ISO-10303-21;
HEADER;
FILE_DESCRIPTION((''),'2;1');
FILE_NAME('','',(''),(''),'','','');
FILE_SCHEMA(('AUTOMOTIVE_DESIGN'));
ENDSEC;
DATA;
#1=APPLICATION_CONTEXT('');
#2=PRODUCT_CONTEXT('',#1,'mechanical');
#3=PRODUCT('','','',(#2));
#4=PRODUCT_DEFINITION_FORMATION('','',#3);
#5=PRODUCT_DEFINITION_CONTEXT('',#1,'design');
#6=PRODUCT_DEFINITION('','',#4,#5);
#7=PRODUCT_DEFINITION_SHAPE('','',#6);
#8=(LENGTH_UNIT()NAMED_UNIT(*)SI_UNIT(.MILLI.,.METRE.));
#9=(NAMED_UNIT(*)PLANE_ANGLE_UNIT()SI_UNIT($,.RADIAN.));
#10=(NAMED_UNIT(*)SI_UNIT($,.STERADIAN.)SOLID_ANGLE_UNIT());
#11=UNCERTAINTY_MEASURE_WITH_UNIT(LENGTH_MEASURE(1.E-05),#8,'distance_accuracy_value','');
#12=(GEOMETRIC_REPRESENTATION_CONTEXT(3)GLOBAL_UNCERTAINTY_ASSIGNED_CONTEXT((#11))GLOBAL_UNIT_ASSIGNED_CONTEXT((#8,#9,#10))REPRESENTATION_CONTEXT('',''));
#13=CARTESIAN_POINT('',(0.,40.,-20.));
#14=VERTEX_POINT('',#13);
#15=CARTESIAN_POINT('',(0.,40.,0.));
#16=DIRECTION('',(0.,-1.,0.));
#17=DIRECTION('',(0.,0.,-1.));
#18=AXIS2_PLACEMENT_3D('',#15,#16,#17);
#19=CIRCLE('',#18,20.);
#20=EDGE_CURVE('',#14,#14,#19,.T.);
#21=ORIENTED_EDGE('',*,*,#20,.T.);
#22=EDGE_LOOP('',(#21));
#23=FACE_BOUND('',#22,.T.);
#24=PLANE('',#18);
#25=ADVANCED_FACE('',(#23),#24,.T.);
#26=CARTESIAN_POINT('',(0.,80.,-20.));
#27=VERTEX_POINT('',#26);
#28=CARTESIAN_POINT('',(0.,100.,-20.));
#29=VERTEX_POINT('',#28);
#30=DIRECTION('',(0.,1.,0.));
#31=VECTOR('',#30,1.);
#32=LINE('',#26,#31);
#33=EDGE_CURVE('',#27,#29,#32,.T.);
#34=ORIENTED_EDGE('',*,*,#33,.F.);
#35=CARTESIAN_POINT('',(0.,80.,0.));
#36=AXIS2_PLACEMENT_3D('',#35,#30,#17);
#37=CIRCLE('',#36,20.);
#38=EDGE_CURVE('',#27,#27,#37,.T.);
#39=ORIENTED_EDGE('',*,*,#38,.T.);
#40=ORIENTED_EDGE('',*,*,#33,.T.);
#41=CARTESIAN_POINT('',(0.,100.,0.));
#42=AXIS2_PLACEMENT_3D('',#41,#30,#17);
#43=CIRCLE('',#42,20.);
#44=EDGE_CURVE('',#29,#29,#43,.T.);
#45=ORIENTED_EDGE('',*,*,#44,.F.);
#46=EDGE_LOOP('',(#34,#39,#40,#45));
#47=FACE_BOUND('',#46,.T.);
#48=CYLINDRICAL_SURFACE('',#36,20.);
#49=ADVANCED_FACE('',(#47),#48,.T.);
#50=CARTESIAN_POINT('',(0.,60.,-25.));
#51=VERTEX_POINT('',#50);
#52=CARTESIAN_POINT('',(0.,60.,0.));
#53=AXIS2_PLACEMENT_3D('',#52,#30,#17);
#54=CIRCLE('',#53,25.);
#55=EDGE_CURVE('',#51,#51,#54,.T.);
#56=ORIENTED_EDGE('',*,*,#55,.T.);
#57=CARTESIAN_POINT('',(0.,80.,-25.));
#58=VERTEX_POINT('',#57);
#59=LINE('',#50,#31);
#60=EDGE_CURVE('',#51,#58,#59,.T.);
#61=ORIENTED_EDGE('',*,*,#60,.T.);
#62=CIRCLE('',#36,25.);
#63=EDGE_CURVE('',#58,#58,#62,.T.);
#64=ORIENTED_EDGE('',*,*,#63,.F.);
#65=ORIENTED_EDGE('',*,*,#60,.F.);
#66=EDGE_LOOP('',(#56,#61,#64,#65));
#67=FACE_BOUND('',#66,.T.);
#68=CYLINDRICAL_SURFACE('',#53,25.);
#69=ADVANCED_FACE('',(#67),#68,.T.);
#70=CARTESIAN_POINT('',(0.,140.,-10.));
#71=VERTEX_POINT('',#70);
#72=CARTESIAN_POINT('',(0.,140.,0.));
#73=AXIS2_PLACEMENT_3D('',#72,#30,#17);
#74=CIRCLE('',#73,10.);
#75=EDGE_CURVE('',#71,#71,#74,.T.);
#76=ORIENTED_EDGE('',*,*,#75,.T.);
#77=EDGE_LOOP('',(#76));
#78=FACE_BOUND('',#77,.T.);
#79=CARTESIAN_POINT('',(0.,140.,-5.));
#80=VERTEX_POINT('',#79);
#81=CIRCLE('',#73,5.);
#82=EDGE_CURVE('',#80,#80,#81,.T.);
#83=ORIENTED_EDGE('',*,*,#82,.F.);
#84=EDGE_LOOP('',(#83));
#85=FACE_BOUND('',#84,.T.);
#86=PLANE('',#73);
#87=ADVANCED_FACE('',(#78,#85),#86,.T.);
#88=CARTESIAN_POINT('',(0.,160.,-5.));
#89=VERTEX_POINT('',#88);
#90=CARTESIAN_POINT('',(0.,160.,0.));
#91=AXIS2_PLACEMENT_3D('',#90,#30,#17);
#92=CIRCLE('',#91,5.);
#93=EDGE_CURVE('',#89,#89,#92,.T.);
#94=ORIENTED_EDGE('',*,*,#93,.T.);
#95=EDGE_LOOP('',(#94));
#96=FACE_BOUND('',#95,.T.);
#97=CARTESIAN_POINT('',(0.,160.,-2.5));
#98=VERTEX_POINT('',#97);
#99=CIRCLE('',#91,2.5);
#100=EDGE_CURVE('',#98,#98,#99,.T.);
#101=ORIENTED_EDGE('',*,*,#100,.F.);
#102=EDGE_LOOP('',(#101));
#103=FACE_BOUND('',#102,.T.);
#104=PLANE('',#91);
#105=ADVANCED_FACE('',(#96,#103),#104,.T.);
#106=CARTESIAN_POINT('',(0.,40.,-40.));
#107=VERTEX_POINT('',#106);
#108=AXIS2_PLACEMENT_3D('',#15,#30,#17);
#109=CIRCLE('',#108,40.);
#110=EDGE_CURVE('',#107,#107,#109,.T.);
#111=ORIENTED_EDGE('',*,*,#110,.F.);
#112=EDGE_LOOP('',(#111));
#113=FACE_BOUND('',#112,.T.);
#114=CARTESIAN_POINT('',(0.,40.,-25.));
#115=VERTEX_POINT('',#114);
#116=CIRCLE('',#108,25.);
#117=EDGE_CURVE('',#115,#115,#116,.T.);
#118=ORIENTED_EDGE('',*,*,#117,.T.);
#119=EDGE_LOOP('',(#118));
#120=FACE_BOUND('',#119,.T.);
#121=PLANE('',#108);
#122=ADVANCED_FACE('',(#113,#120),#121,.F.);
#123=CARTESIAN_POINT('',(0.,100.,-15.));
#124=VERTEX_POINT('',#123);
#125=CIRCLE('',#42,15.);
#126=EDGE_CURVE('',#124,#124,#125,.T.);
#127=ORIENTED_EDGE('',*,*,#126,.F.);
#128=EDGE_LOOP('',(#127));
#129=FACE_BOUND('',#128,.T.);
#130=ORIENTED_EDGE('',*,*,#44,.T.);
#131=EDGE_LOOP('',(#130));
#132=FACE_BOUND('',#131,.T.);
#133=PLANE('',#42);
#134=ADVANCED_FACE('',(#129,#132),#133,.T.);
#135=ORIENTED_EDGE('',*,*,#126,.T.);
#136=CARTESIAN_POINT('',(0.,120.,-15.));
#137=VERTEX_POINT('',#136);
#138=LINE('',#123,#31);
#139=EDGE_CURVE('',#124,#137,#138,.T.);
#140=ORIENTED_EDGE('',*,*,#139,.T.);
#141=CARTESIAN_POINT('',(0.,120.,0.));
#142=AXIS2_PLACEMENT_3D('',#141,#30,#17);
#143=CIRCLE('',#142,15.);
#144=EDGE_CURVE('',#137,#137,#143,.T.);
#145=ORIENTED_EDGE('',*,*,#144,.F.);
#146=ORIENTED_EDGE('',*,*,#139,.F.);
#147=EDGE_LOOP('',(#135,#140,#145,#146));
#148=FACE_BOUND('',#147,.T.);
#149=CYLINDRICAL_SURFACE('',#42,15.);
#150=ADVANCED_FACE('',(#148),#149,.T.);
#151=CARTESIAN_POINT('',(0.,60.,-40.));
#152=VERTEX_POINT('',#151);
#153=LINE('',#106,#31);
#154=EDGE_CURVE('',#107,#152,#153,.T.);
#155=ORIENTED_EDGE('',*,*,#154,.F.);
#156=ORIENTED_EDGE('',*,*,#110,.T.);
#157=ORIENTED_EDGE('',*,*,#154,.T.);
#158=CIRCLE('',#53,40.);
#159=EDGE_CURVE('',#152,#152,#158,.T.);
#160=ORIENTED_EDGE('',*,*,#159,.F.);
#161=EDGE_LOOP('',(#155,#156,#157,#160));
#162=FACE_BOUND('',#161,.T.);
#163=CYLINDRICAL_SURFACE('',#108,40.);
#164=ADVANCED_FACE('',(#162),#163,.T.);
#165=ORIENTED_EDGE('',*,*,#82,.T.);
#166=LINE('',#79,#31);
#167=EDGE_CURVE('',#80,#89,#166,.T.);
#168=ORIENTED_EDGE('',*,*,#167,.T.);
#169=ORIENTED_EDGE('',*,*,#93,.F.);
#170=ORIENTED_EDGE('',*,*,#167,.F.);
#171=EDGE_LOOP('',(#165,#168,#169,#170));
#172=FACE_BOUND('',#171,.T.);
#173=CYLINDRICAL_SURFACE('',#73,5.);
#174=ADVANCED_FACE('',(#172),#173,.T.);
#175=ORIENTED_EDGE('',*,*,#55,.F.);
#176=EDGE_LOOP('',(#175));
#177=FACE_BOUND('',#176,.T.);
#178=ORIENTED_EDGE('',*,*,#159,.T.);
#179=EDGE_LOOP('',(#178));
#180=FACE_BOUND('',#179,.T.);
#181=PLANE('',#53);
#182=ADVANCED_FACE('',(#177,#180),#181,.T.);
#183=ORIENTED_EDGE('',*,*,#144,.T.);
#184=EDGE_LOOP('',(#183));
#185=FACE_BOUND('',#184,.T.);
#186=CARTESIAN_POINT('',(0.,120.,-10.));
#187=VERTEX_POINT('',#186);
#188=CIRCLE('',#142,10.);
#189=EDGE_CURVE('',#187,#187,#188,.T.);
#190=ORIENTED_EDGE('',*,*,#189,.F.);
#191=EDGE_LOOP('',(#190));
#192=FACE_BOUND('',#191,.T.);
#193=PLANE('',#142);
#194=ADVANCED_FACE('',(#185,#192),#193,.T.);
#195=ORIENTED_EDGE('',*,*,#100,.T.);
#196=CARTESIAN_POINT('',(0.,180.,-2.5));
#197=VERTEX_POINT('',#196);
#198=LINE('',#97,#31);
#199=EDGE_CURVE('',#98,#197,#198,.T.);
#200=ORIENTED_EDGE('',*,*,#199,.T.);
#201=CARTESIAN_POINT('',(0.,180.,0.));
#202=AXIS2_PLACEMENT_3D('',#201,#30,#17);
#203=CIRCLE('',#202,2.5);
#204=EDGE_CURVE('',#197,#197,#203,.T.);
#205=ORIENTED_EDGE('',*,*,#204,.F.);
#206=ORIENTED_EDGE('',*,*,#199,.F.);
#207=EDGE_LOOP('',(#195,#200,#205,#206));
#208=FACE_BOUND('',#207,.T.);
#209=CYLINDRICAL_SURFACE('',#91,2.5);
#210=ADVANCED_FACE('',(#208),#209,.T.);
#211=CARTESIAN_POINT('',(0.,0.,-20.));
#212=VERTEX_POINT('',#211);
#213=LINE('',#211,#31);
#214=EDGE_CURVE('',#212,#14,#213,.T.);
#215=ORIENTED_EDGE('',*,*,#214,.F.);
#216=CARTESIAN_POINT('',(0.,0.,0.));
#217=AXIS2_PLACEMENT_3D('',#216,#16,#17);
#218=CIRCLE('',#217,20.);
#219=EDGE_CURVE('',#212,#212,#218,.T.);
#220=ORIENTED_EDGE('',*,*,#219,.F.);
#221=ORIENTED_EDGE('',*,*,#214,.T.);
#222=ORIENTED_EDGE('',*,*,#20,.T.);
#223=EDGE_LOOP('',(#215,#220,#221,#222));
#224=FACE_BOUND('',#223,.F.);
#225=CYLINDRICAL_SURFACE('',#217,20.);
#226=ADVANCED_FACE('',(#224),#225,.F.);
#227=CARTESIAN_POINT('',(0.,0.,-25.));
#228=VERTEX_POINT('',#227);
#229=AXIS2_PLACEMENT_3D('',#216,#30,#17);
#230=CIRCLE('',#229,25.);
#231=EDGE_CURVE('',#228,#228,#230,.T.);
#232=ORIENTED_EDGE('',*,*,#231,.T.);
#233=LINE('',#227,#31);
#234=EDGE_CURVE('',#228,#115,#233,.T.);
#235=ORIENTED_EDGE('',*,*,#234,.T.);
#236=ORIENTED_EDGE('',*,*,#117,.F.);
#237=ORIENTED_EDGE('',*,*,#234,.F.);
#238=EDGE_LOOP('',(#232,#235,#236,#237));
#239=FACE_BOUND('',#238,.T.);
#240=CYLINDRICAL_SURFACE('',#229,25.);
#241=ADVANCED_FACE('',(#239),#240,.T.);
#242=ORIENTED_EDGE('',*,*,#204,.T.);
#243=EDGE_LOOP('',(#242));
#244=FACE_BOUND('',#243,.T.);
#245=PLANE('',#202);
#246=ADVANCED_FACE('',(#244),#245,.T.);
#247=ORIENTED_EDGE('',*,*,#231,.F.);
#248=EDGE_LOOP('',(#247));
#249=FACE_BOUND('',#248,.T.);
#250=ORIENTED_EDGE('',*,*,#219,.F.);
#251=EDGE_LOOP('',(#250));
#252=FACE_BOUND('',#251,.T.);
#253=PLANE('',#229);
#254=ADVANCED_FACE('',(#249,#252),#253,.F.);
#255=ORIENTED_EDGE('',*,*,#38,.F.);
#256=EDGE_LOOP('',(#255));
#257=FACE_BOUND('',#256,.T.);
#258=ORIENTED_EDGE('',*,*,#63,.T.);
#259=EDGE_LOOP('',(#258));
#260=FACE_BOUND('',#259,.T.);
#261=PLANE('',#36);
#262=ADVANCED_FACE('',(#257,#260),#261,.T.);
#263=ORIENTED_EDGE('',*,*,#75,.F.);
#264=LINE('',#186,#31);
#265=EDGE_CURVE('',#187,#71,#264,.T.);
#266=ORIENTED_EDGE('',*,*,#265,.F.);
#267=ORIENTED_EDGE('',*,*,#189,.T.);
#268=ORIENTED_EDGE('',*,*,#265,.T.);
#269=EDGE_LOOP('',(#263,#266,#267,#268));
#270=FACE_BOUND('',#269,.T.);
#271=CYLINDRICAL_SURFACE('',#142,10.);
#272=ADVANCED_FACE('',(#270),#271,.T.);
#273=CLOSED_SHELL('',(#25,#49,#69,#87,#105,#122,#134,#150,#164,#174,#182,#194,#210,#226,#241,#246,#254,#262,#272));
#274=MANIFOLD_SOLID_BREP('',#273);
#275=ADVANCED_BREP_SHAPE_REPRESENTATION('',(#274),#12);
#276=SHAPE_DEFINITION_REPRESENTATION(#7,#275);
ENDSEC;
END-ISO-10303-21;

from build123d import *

# Parameters (mm, degrees)
SKETCH2_R          = 20
CUT_EXTRUDE1_DEPTH = 40


with BuildPart() as part:
    # Sketch1 → Revolve1 (revolve)
    with BuildSketch(Plane.XY, mode=Mode.PRIVATE) as revolve1_sk:
        Polygon((0, 0), (25, 0), (25, 40), (40, 40), (40, 60), (25, 60), (25, 80), (20, 80), (20, 100), (15, 100), (15, 120), (10, 120), (10, 140), (5, 140), (5, 160), (2.5, 160), (2.5, 180), (0, 180), align=None)
    revolve(revolve1_sk.sketch.rotate(Axis((0, 0, 0), (0, 1, 0)), 90), axis=Axis((0, 0, 0), (0, 1, 0)))  # turned: the seam where the file's is

    # Sketch2 → Cut-Extrude1 (cut)
    with BuildSketch(Plane.XZ):
        with Locations(Location((0, 0, 0), (0, 0, 270))):  # turned: the seam where the file's is
            Circle(SKETCH2_R)
    extrude(amount=-CUT_EXTRUDE1_DEPTH, mode=Mode.SUBTRACT)


solid = part.part
